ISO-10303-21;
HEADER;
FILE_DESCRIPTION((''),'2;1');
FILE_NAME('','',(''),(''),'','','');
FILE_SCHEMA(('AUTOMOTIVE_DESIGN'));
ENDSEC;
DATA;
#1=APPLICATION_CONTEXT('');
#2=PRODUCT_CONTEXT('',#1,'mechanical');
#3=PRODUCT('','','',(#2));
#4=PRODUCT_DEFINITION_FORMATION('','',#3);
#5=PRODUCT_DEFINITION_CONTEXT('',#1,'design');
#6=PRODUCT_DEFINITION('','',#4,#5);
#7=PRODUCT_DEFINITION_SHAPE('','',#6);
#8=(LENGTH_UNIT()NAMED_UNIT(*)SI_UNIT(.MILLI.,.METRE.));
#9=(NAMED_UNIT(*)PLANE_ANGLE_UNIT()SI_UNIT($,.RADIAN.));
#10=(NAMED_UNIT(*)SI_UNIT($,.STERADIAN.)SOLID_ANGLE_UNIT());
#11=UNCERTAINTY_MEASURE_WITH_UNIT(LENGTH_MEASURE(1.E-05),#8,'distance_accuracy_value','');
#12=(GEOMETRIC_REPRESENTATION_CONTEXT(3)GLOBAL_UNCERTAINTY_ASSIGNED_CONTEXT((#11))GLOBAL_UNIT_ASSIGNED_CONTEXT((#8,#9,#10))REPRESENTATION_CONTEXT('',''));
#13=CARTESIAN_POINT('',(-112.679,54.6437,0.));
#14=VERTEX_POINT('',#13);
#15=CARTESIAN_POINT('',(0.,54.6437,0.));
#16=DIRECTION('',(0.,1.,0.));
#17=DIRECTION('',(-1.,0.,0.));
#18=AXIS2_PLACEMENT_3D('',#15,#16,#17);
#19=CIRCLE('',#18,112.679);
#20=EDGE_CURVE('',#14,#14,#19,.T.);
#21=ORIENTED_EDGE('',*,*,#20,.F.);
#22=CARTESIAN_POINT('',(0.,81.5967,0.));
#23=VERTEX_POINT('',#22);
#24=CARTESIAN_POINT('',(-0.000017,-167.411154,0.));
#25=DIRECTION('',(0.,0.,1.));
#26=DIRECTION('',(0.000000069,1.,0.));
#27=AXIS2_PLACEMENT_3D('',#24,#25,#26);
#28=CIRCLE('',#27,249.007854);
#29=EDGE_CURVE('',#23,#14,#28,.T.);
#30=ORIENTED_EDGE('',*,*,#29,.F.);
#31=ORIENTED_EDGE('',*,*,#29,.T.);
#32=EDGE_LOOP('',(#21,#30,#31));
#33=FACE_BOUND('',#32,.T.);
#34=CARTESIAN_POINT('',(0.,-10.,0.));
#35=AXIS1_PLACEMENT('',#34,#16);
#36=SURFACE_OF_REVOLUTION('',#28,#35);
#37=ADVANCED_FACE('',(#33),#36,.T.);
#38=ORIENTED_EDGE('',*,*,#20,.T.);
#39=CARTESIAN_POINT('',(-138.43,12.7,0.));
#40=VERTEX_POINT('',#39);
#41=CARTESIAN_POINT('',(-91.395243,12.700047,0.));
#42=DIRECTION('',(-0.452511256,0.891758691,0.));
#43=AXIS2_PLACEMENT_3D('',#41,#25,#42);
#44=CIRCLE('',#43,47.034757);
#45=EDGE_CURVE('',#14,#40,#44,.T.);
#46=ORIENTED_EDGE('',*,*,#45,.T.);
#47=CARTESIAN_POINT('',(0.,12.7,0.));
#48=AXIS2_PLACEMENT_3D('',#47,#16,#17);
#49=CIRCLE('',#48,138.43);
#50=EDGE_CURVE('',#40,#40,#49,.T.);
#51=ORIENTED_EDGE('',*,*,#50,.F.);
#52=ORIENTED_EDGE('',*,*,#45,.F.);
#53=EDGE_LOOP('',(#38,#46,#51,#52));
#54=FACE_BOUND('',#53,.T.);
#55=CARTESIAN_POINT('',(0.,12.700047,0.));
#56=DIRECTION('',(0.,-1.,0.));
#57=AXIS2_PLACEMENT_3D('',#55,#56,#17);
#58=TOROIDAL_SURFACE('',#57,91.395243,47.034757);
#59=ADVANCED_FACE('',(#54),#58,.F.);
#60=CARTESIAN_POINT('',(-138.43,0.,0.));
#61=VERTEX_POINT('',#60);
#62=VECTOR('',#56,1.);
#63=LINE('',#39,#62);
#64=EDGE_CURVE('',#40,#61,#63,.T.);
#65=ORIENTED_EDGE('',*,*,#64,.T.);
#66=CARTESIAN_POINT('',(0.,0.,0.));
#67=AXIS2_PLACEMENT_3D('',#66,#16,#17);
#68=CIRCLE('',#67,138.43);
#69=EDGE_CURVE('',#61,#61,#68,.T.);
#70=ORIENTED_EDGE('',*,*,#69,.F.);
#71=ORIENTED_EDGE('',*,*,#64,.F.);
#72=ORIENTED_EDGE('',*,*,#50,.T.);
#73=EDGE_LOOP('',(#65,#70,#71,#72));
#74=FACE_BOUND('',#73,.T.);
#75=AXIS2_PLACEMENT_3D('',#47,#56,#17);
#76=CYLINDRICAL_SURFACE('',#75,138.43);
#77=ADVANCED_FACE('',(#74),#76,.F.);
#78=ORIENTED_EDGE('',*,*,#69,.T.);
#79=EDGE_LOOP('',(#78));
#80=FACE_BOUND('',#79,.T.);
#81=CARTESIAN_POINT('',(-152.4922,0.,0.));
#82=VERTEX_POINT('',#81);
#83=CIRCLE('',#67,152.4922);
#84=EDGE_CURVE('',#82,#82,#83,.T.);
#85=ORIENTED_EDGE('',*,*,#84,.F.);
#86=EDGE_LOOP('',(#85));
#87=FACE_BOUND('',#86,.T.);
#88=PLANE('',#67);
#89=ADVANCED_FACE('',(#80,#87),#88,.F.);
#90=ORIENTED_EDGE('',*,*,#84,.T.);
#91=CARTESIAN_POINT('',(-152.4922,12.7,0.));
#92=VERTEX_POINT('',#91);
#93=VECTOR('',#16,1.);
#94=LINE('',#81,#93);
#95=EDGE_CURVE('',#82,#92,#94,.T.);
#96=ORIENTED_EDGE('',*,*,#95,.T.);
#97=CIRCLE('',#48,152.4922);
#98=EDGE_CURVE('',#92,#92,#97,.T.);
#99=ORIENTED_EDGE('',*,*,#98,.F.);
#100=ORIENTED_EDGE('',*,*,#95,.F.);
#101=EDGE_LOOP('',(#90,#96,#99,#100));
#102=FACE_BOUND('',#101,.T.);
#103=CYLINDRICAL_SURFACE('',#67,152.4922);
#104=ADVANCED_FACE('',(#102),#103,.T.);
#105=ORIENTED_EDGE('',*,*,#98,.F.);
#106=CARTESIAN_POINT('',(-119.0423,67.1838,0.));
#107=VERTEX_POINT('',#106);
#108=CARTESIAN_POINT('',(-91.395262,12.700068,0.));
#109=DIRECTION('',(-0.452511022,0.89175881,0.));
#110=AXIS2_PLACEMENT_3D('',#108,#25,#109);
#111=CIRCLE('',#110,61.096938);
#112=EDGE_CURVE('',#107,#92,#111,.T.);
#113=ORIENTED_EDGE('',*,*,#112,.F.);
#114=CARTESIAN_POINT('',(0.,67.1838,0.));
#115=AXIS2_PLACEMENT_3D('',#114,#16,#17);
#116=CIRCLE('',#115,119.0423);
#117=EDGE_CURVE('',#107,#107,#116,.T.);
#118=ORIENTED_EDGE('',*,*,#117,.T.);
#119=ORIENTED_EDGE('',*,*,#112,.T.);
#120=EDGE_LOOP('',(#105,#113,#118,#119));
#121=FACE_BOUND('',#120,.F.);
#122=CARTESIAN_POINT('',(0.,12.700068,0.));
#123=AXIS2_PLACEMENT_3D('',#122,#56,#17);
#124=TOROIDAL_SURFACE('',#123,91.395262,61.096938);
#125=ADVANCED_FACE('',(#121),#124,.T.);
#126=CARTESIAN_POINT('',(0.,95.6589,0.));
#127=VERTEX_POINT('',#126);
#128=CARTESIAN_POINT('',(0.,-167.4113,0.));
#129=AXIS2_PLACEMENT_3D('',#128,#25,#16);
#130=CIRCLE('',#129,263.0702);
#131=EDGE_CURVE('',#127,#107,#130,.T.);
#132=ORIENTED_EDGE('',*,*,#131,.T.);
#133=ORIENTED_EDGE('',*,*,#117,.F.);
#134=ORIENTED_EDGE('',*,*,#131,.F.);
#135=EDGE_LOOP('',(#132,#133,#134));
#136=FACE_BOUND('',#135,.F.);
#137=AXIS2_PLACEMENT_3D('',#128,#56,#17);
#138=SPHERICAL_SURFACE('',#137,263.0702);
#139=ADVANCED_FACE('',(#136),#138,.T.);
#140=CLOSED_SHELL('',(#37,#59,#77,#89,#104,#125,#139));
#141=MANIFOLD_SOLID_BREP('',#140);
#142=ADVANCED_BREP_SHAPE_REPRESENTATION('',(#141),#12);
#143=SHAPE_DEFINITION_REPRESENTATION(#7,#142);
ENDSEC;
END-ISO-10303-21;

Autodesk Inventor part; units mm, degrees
ref_plane "YZ Plane" through (0, 0, 0) normal (1, 0, 0) x (0, 1, 0)
ref_plane "XZ Plane" through (0, 0, 0) normal (0, 1, 0) x (-1, 0, 0)
ref_plane "XY Plane" through (0, 0, 0) normal (0, 0, 1) x (1, 0, 0)
sketch "Sketch1" plane through (0, 0, 0) normal (0, 0, 1) x (1, 0, 0)
  arc A0 (0, 81.5967) -> (-112.679, 54.6437) centre (0, -167.4113) ccw
  arc A1 (-112.679, 54.6437) -> (-138.43, 12.7) centre (-91.3952, 12.7) ccw
  line L0 (-138.43, 12.7) -> (-138.43, 0)
  line L1 (-138.43, 0) -> (-152.4922, 0)
  line L2 (-152.4922, 0) -> (-152.4922, 12.7)
  line L3 (0, 95.6589) -> (0, 81.5967)
  line L4 (0, -183.3293) -> (0, 194.7967) projected
  line L5 (-182.128, 12.7) -> (-119.505, 12.7) construction
  line L6 (-218.5536, 0) -> (36.4256, 0) projected
  arc A2 (-119.0423, 67.1838) -> (-152.4922, 12.7) centre (-91.3952, 12.7) ccw
  arc A3 (0, 95.6589) -> (-119.0423, 67.1838) centre (0, -167.4113) ccw
  point P0 (-145.4611, 0)
  dimension "Inner_D" = 138.43
  dimension "Thickness" = 14.0622
  dimension "Skirt_Length" = 12.7
  dimension "Knuckle" = 47.0348
  dimension "Crown" = 249.008
  dimension "Thickness_Top" = 14.0622
  dimension "Outside_Knuckle" = 61.0971
revolve "Revolution2" add sketch "Sketch1" angle 360 about axis through (0, -10, 0) along (0, 1, 0) contours A0 A1 L0 L1 L2 A2 A3 L3
equation "\"Outlet_Cap_Wall_Thickness\" = 14.06223"
properties part number "Fuel Cap Outlet"
